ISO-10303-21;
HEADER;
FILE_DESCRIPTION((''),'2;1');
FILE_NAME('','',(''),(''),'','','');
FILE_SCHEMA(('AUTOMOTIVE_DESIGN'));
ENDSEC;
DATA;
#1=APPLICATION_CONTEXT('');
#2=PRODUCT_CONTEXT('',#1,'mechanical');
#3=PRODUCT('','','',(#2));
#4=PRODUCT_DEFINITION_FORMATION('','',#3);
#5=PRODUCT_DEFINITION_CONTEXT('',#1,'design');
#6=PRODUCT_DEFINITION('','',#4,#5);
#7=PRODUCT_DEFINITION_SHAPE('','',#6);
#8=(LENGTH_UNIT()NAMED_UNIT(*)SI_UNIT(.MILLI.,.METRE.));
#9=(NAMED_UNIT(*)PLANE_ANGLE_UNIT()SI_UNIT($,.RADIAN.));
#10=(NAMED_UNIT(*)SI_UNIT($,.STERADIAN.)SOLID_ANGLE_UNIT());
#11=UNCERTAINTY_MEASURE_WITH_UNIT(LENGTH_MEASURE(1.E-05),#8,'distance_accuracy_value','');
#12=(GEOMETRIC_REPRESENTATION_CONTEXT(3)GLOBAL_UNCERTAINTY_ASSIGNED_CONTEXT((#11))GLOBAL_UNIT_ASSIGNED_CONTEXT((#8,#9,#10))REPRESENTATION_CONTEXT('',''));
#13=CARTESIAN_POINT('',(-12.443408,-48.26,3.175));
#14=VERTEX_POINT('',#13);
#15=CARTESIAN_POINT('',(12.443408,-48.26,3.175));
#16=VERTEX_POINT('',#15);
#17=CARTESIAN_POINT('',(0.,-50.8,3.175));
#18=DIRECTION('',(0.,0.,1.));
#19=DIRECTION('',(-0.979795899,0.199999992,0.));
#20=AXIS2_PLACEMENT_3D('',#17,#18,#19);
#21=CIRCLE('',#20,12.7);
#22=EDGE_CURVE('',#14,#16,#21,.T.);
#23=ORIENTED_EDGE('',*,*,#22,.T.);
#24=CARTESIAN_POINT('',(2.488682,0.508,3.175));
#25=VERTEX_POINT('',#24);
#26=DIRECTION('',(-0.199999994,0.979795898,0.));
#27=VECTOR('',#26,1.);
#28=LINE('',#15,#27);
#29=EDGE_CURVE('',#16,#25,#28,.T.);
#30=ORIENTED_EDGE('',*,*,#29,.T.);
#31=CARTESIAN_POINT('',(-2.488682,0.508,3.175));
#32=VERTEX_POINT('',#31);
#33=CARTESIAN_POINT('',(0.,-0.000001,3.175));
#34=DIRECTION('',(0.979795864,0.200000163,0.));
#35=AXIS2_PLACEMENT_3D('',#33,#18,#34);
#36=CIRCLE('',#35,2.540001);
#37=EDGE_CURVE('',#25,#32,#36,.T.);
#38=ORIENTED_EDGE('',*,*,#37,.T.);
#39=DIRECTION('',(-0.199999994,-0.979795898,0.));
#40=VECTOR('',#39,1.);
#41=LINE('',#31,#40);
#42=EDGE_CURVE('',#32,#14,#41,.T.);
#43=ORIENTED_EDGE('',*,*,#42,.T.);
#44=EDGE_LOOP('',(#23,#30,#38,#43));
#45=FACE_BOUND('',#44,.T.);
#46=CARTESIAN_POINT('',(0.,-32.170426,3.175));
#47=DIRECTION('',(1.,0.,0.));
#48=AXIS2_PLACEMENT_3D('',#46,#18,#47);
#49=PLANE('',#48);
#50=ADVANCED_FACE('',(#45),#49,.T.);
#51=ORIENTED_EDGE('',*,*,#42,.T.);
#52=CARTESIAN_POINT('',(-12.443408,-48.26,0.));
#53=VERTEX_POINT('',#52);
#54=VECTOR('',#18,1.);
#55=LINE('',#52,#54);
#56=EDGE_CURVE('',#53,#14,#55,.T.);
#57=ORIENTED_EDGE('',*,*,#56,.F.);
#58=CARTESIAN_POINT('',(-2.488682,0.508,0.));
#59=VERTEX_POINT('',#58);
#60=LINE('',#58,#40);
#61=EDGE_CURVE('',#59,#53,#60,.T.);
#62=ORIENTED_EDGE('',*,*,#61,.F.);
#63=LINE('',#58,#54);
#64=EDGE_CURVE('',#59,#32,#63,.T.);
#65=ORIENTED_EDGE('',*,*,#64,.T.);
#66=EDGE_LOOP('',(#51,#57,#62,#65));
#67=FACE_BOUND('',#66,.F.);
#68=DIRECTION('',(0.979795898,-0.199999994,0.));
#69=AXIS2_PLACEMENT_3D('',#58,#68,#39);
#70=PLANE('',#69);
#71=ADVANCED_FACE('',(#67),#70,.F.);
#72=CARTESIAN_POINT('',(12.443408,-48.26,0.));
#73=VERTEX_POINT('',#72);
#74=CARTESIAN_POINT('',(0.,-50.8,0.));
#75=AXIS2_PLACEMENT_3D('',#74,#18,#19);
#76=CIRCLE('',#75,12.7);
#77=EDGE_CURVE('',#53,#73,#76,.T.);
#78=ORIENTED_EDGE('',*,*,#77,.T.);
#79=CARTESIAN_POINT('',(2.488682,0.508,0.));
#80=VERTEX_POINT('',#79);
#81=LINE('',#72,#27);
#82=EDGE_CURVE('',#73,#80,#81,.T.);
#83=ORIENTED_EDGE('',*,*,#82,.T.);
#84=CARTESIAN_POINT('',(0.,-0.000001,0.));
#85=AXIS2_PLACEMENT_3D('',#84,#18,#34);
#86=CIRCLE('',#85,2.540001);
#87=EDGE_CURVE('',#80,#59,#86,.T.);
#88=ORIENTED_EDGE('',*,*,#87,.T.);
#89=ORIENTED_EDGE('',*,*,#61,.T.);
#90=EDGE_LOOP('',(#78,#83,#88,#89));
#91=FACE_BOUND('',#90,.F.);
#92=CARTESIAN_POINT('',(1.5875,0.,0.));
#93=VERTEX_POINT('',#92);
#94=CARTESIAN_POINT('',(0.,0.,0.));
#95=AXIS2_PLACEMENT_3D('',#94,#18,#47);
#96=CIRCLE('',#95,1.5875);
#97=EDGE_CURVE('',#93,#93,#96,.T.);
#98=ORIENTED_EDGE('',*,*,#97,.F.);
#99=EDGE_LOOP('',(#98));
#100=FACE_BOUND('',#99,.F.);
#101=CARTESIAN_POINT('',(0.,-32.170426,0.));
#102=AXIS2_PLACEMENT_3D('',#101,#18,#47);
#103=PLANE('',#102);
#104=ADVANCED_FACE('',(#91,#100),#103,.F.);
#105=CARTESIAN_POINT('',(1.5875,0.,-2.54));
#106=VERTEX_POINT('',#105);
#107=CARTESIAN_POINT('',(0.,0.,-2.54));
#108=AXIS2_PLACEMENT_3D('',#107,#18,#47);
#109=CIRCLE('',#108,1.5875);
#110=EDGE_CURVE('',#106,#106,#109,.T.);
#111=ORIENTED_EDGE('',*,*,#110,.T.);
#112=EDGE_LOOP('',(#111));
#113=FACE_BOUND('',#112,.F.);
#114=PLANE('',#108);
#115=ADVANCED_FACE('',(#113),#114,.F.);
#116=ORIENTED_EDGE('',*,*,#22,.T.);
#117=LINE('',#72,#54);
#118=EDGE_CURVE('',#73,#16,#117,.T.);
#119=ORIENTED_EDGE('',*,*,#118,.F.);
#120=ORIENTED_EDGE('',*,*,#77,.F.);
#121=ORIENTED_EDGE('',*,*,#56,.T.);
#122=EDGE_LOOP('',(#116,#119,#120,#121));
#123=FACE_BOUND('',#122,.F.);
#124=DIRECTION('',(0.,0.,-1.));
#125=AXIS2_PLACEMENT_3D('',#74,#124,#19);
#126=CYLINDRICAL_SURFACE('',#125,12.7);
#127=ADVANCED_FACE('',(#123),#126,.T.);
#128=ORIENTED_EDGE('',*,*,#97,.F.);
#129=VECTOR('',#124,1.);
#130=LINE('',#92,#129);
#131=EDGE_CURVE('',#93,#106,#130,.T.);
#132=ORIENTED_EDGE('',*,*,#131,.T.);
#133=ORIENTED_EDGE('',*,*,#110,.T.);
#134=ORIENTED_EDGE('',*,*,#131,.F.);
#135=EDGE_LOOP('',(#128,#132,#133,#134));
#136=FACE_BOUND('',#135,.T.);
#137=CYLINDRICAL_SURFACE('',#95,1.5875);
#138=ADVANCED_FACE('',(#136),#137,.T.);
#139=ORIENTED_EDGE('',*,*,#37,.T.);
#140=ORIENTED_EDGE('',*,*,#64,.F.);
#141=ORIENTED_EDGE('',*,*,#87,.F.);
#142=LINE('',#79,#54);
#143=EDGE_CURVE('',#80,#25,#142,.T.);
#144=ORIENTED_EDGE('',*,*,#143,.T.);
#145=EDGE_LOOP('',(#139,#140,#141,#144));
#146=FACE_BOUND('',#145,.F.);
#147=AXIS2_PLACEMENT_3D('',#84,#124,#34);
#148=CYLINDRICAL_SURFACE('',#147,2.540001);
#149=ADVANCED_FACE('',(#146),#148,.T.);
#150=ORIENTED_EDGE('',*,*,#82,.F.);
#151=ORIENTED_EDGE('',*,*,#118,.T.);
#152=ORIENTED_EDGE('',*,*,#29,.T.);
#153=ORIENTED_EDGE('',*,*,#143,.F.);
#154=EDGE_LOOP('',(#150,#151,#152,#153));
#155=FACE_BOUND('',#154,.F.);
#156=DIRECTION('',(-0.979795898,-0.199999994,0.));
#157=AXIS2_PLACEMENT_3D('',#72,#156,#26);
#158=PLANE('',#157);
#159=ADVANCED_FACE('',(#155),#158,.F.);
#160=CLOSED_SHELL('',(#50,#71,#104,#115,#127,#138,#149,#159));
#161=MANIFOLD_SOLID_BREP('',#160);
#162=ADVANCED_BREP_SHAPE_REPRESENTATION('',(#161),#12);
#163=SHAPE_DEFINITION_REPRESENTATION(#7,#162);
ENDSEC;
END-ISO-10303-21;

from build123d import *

# Parameters (mm, degrees)
F0_R     = 1.5875
F1_DEPTH = 3.175
F2_DEPTH = 2.54


with BuildPart() as f1:
    # F0 (on Top) → F1 (new body)
    with BuildSketch(Plane.XY):
        with BuildLine():
            Line((12.443408, -48.26), (2.488682, 0.508))
            ThreePointArc((2.488682, 0.508), (0, 2.54), (-2.488682, 0.508))
            Line((-2.488682, 0.508), (-12.443408, -48.26))
            ThreePointArc((-12.443408, -48.26), (0, -63.5), (12.443408, -48.26))
        make_face()
        Circle(F0_R, mode=Mode.SUBTRACT)
        Circle(F0_R)
    extrude(amount=F1_DEPTH)

    # F0 (on Top) → F2 (join)
    with BuildSketch(Plane.XY):
        Circle(F0_R)
    extrude(amount=-F2_DEPTH)


solid = f1.part
